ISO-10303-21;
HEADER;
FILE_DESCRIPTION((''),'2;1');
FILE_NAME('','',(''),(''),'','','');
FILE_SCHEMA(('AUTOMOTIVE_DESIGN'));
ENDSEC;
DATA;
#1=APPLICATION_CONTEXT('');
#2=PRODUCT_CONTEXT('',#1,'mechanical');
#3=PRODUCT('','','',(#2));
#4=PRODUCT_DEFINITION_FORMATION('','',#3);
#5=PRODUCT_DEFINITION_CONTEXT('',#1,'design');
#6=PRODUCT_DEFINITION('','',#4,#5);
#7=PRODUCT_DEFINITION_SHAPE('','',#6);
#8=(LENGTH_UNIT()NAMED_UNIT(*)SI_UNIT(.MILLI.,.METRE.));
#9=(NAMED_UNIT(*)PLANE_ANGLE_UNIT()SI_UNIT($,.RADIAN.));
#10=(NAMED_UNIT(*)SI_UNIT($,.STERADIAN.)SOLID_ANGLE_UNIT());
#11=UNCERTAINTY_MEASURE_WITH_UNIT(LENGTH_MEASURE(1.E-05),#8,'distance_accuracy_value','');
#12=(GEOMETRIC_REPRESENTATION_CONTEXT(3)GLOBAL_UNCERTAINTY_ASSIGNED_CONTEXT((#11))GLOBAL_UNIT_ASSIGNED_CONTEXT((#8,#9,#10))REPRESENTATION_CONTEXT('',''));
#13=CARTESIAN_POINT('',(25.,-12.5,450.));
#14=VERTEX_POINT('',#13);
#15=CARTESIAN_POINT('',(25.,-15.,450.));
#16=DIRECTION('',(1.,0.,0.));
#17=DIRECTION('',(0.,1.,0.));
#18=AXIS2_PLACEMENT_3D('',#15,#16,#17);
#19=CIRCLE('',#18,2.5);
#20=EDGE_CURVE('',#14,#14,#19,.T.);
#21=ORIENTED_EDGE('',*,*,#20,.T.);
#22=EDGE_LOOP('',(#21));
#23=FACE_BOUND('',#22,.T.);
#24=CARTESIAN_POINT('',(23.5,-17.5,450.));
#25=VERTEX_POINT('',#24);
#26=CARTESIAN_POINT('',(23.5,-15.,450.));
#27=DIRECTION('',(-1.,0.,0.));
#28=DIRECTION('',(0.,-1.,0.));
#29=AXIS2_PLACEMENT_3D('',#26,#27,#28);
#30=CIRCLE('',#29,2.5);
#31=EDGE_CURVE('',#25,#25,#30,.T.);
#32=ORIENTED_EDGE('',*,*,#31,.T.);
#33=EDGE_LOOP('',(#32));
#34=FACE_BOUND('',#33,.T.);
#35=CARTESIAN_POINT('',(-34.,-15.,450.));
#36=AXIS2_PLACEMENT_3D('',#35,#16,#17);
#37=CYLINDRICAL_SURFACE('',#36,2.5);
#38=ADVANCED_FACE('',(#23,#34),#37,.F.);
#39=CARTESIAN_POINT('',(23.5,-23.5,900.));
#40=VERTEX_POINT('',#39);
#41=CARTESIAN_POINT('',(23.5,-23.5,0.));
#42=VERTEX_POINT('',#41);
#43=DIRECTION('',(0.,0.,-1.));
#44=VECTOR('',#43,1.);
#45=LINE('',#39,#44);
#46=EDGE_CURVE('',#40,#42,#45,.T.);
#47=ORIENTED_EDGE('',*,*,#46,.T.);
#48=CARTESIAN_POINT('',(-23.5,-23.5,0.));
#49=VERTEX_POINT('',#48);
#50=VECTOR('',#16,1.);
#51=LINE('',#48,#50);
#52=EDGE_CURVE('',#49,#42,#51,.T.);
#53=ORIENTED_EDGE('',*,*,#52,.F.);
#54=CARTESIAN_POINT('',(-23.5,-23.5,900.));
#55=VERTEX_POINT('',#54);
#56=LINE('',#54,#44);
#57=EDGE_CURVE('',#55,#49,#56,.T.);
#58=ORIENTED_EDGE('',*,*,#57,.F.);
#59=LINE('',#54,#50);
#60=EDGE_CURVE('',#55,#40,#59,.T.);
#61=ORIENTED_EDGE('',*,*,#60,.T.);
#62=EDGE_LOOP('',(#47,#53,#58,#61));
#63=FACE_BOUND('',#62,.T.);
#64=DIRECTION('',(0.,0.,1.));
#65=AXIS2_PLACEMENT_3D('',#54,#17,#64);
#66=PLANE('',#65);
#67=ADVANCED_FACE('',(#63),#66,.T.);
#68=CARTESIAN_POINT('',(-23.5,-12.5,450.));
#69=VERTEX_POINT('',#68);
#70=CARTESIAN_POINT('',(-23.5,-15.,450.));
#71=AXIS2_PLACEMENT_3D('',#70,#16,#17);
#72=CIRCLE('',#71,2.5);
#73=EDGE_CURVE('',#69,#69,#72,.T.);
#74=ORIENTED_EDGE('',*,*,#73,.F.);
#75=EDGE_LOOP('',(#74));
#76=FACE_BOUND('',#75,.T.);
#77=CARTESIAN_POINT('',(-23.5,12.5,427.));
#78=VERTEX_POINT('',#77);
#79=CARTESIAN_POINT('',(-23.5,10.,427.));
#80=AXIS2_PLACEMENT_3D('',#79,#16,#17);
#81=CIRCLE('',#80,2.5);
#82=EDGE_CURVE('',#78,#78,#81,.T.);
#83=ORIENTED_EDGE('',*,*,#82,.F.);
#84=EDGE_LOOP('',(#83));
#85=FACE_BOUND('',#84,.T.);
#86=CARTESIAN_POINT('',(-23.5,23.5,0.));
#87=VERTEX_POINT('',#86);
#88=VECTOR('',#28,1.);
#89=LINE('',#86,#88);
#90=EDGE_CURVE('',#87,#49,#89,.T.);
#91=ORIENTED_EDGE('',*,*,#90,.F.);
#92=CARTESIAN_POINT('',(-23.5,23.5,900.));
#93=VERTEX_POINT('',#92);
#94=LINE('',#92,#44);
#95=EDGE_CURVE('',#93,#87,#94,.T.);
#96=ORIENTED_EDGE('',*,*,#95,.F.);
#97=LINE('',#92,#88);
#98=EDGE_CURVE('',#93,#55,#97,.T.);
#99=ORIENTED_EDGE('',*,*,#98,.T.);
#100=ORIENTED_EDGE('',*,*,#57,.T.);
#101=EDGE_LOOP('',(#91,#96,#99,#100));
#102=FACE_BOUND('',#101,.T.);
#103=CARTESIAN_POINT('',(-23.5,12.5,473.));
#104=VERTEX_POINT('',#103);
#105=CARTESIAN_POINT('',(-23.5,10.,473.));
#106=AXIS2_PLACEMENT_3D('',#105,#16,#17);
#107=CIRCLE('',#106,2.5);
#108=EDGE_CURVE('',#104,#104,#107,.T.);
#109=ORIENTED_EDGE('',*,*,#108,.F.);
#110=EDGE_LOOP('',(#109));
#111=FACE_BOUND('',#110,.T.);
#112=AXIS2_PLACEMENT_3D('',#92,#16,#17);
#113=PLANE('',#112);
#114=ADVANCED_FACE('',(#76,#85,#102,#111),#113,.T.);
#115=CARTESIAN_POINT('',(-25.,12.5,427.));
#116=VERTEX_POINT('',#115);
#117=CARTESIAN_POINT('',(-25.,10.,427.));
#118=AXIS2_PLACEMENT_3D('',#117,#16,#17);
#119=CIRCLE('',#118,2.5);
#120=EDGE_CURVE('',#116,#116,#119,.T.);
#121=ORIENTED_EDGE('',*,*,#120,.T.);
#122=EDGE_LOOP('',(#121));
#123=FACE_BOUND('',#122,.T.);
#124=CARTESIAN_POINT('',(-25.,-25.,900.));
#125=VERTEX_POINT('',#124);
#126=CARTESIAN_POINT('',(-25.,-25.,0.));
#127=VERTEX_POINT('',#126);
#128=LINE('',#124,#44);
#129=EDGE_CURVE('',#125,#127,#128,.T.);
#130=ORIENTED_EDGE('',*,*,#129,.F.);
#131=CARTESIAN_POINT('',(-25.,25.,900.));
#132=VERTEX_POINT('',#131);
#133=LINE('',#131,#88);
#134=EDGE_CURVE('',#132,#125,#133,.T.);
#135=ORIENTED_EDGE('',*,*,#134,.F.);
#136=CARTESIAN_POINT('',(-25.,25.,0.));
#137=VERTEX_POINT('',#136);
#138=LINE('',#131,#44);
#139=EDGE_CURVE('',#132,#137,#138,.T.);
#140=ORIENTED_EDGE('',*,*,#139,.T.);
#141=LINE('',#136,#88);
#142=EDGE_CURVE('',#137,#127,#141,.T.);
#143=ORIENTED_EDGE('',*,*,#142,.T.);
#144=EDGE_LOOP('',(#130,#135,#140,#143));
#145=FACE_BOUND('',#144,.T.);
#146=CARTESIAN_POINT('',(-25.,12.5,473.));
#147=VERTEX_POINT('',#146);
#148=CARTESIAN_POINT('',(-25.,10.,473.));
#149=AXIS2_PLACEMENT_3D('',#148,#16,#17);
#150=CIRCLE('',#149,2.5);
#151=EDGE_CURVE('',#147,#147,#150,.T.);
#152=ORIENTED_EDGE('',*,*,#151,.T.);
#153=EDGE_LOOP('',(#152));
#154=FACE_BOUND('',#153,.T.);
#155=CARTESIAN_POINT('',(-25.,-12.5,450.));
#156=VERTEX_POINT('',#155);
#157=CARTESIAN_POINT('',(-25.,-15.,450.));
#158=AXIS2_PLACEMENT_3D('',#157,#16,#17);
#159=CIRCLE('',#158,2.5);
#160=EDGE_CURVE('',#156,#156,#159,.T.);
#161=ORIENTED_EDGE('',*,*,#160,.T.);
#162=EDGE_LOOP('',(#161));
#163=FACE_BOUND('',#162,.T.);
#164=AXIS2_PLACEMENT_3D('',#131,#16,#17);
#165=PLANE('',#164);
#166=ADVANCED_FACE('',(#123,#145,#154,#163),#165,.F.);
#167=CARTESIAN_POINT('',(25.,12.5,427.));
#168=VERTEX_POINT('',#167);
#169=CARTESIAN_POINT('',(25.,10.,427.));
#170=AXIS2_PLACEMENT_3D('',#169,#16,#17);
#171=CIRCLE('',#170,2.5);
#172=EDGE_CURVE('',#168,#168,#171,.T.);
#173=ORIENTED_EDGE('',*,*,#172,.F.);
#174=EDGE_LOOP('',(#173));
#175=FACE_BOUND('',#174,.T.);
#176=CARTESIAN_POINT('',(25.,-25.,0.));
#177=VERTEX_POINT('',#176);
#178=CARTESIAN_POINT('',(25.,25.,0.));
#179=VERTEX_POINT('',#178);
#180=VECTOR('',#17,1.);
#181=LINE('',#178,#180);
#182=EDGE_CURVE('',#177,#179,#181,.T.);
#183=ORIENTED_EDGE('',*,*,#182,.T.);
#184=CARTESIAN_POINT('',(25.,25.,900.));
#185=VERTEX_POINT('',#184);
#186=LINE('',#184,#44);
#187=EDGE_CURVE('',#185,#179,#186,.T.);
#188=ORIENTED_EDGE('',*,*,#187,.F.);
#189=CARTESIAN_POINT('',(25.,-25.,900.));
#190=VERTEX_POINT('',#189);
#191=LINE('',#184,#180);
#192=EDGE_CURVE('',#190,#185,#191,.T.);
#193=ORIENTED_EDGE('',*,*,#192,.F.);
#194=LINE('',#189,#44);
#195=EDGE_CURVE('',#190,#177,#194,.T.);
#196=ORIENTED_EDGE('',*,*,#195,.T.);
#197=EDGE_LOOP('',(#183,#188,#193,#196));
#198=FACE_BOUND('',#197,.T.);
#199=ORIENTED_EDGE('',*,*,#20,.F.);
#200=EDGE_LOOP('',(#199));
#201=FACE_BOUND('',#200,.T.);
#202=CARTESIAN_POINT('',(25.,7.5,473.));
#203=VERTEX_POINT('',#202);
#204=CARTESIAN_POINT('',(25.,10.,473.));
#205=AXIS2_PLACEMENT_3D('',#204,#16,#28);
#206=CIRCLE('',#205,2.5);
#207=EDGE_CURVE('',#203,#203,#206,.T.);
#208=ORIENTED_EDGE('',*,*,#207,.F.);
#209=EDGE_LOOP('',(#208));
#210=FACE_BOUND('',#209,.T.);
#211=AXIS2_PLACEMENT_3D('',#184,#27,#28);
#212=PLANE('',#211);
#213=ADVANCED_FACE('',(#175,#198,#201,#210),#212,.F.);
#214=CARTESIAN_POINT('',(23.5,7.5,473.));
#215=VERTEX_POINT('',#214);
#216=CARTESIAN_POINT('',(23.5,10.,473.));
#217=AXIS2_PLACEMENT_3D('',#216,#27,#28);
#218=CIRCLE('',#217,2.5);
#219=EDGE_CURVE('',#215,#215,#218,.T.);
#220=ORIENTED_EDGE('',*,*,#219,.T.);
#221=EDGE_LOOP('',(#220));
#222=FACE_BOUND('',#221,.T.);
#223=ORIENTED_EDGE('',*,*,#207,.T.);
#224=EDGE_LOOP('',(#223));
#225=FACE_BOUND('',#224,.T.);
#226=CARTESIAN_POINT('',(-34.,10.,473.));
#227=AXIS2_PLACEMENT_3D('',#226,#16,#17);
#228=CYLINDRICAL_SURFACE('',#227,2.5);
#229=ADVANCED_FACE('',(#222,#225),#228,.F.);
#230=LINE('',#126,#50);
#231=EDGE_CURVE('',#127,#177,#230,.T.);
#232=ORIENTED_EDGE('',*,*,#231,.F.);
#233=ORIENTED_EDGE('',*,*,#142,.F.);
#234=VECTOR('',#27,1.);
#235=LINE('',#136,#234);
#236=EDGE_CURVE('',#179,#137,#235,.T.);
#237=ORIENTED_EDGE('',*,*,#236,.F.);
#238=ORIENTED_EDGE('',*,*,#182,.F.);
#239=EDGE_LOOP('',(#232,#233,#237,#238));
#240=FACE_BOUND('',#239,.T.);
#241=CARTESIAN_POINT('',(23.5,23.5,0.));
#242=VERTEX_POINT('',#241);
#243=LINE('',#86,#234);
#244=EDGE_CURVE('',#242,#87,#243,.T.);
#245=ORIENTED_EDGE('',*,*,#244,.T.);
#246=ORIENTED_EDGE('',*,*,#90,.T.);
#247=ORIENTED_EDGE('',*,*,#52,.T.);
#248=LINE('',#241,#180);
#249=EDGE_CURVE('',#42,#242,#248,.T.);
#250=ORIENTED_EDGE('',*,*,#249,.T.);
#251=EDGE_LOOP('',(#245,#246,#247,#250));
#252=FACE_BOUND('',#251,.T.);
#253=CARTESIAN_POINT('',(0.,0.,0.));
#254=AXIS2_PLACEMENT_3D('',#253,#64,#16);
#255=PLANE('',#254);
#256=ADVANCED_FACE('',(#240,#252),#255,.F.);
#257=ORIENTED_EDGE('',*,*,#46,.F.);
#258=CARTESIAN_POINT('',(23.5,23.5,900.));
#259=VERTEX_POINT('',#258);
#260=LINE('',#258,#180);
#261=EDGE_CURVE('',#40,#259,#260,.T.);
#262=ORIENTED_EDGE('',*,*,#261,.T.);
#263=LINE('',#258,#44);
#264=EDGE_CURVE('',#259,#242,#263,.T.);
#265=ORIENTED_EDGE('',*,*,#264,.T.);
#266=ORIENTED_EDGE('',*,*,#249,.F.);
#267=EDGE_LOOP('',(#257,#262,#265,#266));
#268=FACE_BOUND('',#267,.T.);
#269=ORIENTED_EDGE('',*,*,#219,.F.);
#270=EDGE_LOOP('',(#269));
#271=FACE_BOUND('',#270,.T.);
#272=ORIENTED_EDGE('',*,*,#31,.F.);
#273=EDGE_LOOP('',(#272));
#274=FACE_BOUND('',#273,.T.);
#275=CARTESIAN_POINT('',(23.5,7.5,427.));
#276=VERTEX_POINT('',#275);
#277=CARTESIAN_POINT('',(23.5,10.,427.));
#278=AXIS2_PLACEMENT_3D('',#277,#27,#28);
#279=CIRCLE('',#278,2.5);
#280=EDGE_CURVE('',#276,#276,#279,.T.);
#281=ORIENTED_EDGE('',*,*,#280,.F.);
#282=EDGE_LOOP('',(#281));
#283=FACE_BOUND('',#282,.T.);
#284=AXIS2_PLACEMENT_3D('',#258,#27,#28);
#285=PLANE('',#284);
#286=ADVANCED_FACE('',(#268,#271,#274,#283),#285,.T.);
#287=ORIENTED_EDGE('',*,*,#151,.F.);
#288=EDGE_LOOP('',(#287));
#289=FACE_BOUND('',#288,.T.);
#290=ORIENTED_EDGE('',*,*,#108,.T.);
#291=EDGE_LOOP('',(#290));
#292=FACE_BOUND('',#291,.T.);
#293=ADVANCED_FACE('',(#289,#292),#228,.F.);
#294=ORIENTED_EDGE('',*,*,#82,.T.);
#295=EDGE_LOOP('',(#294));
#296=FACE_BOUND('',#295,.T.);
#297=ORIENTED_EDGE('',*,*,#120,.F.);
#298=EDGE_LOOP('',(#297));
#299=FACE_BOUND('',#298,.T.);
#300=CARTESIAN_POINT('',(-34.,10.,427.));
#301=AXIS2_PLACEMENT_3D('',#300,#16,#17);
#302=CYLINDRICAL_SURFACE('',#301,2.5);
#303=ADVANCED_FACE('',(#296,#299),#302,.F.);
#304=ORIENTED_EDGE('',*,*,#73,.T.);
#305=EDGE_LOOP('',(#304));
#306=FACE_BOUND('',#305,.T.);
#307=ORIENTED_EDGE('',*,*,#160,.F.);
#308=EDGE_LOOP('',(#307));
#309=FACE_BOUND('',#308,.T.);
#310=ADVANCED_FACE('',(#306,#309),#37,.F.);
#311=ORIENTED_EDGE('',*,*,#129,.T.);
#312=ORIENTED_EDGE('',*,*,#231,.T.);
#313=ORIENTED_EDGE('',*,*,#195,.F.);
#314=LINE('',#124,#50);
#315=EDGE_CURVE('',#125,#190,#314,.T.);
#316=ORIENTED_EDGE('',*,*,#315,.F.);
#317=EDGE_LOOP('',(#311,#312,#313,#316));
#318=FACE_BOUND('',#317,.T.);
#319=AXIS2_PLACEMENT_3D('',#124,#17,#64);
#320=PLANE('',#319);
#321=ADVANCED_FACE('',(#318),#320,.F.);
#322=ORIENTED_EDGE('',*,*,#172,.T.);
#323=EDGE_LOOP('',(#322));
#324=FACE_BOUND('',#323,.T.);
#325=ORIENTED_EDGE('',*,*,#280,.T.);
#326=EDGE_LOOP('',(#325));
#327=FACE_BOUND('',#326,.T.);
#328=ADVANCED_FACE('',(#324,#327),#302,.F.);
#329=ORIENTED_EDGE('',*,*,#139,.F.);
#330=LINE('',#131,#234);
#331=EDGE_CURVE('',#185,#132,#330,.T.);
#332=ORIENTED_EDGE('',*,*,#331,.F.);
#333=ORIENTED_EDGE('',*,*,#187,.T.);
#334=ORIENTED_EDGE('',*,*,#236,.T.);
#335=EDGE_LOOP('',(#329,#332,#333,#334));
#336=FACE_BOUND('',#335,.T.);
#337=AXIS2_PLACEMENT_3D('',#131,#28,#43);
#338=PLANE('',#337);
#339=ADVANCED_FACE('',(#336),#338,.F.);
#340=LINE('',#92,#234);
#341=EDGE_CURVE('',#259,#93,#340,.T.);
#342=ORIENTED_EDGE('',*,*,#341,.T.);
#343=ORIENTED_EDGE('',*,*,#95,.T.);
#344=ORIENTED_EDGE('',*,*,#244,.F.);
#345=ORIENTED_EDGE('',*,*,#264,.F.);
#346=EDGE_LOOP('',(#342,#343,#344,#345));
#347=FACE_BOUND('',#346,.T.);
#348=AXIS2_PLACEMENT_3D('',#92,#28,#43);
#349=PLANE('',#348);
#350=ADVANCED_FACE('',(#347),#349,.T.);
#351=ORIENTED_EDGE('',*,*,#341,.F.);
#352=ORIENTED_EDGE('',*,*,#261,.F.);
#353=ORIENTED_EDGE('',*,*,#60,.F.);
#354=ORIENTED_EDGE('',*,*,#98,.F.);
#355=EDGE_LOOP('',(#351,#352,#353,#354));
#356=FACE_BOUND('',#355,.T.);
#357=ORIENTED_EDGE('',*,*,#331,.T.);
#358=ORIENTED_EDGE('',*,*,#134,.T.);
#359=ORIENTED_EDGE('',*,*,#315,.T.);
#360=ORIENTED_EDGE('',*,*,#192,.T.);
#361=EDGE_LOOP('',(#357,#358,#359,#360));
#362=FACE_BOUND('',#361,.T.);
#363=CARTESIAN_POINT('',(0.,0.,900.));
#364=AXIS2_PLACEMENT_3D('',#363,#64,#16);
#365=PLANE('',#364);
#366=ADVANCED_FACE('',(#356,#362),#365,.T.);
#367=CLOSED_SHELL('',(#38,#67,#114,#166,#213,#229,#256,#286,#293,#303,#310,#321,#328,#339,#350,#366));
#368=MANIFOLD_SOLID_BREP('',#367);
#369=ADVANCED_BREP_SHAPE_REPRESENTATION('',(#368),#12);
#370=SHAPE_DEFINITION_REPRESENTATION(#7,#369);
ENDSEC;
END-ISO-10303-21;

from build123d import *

# Parameters (mm, degrees)
SKETCH1_W           = 50
SKETCH1_H           = 50
SKETCH1_W_2         = 47
SKETCH1_H_2         = 47
BOSS_EXTRUDE1_DEPTH = 900
SKETCH2_R           = 2.5
CUT_EXTRUDE1_DEPTH  = 59


with BuildPart() as part:
    # Sketch1 → Boss-Extrude1 (new body)
    with BuildSketch(Plane.XY):
        Rectangle(SKETCH1_W, SKETCH1_H)
        Rectangle(SKETCH1_W_2, SKETCH1_H_2, mode=Mode.SUBTRACT)
    extrude(amount=BOSS_EXTRUDE1_DEPTH)

    # Sketch2 → Cut-Extrude1 (cut)
    with BuildSketch(Plane(origin=(25, 0, 0), x_dir=(0, 0, -1), z_dir=(1, 0, 0))):
        with Locations(Location((-450, -15, 0), (0, 0, 90))):
            Circle(SKETCH2_R)
        with Locations(Location((-427, 10, 0), (0, 0, 90))):
            Circle(SKETCH2_R)
        with Locations(Location((-473, 10, 0), (0, 0, 90))):
            Circle(SKETCH2_R)
    extrude(amount=-CUT_EXTRUDE1_DEPTH, mode=Mode.SUBTRACT)


solid = part.part
